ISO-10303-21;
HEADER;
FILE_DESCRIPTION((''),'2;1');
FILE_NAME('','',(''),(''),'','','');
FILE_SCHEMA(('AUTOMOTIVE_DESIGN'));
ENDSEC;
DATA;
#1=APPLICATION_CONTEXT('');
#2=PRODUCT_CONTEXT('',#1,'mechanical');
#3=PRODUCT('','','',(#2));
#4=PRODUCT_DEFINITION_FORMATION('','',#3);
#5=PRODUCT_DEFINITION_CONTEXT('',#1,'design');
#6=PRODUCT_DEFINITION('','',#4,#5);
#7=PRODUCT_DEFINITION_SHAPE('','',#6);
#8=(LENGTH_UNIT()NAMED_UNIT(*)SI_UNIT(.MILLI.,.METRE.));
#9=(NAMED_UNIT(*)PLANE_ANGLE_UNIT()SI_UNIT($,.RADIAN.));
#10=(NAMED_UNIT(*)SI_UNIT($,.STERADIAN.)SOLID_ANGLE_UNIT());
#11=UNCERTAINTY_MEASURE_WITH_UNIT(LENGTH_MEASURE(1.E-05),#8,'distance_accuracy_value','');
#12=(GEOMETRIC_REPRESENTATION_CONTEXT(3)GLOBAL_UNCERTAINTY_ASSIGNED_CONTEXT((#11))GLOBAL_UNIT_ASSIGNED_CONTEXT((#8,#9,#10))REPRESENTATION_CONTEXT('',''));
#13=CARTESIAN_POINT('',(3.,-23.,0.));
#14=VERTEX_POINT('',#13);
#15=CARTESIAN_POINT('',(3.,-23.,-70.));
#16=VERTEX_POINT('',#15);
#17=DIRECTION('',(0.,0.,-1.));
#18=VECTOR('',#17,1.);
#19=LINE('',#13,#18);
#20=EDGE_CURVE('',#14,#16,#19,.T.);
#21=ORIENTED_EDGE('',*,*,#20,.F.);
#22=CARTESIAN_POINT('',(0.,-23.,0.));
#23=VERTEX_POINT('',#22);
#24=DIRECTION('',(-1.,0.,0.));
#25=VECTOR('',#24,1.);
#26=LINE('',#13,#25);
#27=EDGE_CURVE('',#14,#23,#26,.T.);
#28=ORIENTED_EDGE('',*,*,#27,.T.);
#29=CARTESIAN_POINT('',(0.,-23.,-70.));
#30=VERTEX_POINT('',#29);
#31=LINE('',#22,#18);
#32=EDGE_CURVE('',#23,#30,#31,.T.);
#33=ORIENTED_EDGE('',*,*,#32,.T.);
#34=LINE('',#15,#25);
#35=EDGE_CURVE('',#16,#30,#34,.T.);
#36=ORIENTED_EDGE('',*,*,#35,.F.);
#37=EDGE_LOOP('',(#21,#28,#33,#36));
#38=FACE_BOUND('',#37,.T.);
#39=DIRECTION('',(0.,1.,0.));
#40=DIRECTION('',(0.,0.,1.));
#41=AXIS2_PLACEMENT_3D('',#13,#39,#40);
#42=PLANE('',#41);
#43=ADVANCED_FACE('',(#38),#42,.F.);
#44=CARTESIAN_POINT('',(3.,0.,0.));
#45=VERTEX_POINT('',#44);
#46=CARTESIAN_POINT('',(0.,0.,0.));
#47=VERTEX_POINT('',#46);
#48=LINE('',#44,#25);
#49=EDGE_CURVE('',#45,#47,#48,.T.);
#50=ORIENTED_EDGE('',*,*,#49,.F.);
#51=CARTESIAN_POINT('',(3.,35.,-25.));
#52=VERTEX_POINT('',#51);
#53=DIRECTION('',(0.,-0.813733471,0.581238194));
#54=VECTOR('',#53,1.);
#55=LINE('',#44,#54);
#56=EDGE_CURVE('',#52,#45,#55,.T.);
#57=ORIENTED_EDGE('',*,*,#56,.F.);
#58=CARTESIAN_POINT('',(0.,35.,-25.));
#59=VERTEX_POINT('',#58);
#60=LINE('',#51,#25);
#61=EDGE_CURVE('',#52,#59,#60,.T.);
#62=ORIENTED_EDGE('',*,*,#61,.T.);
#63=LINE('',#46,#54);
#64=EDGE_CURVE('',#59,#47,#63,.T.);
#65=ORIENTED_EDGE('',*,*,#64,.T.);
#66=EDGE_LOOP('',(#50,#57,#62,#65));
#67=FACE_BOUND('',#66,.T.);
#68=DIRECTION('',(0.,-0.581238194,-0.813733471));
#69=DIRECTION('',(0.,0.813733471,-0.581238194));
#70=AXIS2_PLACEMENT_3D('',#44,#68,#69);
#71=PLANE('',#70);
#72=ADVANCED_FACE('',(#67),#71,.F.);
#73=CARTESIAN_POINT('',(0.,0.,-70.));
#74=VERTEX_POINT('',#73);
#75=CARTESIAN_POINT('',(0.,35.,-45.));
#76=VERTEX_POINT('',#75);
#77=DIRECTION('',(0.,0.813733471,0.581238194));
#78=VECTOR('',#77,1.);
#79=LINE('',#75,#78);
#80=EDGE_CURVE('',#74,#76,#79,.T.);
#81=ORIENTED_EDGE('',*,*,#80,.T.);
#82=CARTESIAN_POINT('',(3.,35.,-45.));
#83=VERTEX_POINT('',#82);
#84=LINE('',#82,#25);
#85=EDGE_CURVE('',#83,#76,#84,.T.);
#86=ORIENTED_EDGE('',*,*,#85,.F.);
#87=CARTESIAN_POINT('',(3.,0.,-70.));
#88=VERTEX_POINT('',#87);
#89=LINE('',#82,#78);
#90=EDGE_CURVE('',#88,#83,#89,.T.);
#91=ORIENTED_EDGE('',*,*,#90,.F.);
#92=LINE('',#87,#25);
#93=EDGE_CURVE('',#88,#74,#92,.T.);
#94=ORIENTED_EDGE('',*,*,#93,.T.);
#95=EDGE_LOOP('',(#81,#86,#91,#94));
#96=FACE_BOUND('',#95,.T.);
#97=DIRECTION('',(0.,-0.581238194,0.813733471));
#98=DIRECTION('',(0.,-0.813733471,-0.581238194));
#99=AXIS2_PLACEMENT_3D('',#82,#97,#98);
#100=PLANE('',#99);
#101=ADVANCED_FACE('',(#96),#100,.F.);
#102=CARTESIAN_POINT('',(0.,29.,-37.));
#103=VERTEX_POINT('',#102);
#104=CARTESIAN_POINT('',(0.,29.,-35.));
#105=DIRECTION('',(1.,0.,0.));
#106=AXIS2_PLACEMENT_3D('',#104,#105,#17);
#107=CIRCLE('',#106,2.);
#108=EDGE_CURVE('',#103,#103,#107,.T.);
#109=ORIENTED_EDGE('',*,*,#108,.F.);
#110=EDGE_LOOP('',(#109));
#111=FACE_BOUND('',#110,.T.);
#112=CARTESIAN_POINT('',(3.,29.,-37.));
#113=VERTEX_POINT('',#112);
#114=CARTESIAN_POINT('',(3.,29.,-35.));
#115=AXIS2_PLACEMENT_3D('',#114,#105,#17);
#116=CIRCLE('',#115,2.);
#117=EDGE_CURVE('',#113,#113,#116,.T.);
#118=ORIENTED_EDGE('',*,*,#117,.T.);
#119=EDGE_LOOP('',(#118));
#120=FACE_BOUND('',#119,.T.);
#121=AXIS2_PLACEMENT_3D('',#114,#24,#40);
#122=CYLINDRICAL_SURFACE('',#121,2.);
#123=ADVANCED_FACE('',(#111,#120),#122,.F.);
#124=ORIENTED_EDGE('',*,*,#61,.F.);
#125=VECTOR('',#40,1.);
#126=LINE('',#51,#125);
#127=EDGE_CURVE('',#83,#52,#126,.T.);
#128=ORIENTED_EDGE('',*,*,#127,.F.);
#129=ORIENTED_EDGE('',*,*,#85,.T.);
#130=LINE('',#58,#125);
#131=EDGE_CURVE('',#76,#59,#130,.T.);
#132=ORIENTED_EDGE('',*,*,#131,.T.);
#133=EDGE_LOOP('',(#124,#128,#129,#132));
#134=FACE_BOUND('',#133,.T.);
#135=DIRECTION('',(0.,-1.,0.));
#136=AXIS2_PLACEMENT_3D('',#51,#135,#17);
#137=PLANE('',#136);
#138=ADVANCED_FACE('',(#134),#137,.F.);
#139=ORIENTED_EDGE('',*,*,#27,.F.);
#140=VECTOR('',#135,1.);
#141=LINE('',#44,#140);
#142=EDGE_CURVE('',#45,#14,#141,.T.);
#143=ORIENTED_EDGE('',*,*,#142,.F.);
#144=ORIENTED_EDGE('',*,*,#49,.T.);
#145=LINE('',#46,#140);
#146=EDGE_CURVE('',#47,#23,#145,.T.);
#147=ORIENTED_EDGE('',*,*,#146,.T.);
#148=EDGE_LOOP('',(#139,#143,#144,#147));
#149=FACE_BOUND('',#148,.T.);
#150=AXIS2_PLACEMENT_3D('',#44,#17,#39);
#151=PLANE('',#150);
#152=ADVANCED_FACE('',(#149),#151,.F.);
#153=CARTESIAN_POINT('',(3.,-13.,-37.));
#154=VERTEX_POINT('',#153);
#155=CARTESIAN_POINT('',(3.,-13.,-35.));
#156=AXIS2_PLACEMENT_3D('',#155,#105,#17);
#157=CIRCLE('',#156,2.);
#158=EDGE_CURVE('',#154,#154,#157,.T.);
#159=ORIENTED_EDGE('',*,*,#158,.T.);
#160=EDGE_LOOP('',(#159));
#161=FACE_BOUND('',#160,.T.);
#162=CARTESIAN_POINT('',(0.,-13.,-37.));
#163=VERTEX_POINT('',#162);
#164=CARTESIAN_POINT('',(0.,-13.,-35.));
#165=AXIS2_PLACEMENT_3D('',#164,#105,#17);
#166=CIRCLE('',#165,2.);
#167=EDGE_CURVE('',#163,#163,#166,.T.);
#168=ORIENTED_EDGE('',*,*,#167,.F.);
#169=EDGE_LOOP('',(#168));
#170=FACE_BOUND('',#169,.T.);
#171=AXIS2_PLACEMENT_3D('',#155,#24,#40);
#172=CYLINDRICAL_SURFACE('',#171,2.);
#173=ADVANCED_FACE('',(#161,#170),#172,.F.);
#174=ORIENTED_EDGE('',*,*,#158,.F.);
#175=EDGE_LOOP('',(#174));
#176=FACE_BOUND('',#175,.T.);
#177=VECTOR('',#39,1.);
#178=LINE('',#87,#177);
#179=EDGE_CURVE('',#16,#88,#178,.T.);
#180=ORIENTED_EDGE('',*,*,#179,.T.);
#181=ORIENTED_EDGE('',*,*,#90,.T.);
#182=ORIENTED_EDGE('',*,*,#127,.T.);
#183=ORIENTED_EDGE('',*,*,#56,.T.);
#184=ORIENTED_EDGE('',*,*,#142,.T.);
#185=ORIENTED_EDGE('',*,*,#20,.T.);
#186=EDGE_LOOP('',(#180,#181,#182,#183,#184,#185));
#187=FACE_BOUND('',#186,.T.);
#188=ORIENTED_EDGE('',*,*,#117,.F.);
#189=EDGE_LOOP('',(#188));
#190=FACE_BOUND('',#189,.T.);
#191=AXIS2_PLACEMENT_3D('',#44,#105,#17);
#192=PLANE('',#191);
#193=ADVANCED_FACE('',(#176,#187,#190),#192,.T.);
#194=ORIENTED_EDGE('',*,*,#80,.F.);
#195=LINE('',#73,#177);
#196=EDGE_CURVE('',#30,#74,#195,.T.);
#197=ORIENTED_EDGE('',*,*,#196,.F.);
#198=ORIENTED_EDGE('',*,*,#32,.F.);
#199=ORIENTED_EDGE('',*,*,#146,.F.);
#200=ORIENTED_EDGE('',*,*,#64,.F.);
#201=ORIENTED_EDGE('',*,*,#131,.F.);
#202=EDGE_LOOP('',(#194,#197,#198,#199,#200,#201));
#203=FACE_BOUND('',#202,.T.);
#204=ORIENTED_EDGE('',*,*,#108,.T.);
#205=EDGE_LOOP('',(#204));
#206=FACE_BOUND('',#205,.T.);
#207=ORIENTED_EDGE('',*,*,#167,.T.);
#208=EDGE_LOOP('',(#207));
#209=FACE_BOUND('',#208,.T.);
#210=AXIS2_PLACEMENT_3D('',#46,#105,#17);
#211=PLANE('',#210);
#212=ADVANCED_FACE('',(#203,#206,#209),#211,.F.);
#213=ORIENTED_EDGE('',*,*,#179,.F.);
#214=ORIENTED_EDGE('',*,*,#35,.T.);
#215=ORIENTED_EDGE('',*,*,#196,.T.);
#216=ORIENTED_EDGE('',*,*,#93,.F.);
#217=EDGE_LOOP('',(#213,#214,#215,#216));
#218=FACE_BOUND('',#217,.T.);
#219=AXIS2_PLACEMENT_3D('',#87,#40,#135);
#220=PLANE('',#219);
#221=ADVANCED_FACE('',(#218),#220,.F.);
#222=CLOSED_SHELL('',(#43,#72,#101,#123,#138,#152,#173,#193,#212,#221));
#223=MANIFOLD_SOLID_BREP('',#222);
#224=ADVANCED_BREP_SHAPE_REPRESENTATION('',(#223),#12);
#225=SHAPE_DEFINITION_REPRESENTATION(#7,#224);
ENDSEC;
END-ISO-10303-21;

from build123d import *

# Parameters (mm, degrees)
SKETCH1_R           = 2
BOSS_EXTRUDE1_DEPTH = 3


with BuildPart() as part:
    # Sketch1 → Boss-Extrude1 (new body)
    with BuildSketch(Plane(origin=(0, 0, 0), x_dir=(0, 0, -1), z_dir=(1, 0, 0))):
        Polygon((0, 0), (25, 35), (45, 35), (70, 0), (70, -23), (0, -23), align=None)
        with Locations((35, -13)):
            Circle(SKETCH1_R, mode=Mode.SUBTRACT)
        with Locations((35, 29)):
            Circle(SKETCH1_R, mode=Mode.SUBTRACT)
    extrude(amount=BOSS_EXTRUDE1_DEPTH)


solid = part.part
